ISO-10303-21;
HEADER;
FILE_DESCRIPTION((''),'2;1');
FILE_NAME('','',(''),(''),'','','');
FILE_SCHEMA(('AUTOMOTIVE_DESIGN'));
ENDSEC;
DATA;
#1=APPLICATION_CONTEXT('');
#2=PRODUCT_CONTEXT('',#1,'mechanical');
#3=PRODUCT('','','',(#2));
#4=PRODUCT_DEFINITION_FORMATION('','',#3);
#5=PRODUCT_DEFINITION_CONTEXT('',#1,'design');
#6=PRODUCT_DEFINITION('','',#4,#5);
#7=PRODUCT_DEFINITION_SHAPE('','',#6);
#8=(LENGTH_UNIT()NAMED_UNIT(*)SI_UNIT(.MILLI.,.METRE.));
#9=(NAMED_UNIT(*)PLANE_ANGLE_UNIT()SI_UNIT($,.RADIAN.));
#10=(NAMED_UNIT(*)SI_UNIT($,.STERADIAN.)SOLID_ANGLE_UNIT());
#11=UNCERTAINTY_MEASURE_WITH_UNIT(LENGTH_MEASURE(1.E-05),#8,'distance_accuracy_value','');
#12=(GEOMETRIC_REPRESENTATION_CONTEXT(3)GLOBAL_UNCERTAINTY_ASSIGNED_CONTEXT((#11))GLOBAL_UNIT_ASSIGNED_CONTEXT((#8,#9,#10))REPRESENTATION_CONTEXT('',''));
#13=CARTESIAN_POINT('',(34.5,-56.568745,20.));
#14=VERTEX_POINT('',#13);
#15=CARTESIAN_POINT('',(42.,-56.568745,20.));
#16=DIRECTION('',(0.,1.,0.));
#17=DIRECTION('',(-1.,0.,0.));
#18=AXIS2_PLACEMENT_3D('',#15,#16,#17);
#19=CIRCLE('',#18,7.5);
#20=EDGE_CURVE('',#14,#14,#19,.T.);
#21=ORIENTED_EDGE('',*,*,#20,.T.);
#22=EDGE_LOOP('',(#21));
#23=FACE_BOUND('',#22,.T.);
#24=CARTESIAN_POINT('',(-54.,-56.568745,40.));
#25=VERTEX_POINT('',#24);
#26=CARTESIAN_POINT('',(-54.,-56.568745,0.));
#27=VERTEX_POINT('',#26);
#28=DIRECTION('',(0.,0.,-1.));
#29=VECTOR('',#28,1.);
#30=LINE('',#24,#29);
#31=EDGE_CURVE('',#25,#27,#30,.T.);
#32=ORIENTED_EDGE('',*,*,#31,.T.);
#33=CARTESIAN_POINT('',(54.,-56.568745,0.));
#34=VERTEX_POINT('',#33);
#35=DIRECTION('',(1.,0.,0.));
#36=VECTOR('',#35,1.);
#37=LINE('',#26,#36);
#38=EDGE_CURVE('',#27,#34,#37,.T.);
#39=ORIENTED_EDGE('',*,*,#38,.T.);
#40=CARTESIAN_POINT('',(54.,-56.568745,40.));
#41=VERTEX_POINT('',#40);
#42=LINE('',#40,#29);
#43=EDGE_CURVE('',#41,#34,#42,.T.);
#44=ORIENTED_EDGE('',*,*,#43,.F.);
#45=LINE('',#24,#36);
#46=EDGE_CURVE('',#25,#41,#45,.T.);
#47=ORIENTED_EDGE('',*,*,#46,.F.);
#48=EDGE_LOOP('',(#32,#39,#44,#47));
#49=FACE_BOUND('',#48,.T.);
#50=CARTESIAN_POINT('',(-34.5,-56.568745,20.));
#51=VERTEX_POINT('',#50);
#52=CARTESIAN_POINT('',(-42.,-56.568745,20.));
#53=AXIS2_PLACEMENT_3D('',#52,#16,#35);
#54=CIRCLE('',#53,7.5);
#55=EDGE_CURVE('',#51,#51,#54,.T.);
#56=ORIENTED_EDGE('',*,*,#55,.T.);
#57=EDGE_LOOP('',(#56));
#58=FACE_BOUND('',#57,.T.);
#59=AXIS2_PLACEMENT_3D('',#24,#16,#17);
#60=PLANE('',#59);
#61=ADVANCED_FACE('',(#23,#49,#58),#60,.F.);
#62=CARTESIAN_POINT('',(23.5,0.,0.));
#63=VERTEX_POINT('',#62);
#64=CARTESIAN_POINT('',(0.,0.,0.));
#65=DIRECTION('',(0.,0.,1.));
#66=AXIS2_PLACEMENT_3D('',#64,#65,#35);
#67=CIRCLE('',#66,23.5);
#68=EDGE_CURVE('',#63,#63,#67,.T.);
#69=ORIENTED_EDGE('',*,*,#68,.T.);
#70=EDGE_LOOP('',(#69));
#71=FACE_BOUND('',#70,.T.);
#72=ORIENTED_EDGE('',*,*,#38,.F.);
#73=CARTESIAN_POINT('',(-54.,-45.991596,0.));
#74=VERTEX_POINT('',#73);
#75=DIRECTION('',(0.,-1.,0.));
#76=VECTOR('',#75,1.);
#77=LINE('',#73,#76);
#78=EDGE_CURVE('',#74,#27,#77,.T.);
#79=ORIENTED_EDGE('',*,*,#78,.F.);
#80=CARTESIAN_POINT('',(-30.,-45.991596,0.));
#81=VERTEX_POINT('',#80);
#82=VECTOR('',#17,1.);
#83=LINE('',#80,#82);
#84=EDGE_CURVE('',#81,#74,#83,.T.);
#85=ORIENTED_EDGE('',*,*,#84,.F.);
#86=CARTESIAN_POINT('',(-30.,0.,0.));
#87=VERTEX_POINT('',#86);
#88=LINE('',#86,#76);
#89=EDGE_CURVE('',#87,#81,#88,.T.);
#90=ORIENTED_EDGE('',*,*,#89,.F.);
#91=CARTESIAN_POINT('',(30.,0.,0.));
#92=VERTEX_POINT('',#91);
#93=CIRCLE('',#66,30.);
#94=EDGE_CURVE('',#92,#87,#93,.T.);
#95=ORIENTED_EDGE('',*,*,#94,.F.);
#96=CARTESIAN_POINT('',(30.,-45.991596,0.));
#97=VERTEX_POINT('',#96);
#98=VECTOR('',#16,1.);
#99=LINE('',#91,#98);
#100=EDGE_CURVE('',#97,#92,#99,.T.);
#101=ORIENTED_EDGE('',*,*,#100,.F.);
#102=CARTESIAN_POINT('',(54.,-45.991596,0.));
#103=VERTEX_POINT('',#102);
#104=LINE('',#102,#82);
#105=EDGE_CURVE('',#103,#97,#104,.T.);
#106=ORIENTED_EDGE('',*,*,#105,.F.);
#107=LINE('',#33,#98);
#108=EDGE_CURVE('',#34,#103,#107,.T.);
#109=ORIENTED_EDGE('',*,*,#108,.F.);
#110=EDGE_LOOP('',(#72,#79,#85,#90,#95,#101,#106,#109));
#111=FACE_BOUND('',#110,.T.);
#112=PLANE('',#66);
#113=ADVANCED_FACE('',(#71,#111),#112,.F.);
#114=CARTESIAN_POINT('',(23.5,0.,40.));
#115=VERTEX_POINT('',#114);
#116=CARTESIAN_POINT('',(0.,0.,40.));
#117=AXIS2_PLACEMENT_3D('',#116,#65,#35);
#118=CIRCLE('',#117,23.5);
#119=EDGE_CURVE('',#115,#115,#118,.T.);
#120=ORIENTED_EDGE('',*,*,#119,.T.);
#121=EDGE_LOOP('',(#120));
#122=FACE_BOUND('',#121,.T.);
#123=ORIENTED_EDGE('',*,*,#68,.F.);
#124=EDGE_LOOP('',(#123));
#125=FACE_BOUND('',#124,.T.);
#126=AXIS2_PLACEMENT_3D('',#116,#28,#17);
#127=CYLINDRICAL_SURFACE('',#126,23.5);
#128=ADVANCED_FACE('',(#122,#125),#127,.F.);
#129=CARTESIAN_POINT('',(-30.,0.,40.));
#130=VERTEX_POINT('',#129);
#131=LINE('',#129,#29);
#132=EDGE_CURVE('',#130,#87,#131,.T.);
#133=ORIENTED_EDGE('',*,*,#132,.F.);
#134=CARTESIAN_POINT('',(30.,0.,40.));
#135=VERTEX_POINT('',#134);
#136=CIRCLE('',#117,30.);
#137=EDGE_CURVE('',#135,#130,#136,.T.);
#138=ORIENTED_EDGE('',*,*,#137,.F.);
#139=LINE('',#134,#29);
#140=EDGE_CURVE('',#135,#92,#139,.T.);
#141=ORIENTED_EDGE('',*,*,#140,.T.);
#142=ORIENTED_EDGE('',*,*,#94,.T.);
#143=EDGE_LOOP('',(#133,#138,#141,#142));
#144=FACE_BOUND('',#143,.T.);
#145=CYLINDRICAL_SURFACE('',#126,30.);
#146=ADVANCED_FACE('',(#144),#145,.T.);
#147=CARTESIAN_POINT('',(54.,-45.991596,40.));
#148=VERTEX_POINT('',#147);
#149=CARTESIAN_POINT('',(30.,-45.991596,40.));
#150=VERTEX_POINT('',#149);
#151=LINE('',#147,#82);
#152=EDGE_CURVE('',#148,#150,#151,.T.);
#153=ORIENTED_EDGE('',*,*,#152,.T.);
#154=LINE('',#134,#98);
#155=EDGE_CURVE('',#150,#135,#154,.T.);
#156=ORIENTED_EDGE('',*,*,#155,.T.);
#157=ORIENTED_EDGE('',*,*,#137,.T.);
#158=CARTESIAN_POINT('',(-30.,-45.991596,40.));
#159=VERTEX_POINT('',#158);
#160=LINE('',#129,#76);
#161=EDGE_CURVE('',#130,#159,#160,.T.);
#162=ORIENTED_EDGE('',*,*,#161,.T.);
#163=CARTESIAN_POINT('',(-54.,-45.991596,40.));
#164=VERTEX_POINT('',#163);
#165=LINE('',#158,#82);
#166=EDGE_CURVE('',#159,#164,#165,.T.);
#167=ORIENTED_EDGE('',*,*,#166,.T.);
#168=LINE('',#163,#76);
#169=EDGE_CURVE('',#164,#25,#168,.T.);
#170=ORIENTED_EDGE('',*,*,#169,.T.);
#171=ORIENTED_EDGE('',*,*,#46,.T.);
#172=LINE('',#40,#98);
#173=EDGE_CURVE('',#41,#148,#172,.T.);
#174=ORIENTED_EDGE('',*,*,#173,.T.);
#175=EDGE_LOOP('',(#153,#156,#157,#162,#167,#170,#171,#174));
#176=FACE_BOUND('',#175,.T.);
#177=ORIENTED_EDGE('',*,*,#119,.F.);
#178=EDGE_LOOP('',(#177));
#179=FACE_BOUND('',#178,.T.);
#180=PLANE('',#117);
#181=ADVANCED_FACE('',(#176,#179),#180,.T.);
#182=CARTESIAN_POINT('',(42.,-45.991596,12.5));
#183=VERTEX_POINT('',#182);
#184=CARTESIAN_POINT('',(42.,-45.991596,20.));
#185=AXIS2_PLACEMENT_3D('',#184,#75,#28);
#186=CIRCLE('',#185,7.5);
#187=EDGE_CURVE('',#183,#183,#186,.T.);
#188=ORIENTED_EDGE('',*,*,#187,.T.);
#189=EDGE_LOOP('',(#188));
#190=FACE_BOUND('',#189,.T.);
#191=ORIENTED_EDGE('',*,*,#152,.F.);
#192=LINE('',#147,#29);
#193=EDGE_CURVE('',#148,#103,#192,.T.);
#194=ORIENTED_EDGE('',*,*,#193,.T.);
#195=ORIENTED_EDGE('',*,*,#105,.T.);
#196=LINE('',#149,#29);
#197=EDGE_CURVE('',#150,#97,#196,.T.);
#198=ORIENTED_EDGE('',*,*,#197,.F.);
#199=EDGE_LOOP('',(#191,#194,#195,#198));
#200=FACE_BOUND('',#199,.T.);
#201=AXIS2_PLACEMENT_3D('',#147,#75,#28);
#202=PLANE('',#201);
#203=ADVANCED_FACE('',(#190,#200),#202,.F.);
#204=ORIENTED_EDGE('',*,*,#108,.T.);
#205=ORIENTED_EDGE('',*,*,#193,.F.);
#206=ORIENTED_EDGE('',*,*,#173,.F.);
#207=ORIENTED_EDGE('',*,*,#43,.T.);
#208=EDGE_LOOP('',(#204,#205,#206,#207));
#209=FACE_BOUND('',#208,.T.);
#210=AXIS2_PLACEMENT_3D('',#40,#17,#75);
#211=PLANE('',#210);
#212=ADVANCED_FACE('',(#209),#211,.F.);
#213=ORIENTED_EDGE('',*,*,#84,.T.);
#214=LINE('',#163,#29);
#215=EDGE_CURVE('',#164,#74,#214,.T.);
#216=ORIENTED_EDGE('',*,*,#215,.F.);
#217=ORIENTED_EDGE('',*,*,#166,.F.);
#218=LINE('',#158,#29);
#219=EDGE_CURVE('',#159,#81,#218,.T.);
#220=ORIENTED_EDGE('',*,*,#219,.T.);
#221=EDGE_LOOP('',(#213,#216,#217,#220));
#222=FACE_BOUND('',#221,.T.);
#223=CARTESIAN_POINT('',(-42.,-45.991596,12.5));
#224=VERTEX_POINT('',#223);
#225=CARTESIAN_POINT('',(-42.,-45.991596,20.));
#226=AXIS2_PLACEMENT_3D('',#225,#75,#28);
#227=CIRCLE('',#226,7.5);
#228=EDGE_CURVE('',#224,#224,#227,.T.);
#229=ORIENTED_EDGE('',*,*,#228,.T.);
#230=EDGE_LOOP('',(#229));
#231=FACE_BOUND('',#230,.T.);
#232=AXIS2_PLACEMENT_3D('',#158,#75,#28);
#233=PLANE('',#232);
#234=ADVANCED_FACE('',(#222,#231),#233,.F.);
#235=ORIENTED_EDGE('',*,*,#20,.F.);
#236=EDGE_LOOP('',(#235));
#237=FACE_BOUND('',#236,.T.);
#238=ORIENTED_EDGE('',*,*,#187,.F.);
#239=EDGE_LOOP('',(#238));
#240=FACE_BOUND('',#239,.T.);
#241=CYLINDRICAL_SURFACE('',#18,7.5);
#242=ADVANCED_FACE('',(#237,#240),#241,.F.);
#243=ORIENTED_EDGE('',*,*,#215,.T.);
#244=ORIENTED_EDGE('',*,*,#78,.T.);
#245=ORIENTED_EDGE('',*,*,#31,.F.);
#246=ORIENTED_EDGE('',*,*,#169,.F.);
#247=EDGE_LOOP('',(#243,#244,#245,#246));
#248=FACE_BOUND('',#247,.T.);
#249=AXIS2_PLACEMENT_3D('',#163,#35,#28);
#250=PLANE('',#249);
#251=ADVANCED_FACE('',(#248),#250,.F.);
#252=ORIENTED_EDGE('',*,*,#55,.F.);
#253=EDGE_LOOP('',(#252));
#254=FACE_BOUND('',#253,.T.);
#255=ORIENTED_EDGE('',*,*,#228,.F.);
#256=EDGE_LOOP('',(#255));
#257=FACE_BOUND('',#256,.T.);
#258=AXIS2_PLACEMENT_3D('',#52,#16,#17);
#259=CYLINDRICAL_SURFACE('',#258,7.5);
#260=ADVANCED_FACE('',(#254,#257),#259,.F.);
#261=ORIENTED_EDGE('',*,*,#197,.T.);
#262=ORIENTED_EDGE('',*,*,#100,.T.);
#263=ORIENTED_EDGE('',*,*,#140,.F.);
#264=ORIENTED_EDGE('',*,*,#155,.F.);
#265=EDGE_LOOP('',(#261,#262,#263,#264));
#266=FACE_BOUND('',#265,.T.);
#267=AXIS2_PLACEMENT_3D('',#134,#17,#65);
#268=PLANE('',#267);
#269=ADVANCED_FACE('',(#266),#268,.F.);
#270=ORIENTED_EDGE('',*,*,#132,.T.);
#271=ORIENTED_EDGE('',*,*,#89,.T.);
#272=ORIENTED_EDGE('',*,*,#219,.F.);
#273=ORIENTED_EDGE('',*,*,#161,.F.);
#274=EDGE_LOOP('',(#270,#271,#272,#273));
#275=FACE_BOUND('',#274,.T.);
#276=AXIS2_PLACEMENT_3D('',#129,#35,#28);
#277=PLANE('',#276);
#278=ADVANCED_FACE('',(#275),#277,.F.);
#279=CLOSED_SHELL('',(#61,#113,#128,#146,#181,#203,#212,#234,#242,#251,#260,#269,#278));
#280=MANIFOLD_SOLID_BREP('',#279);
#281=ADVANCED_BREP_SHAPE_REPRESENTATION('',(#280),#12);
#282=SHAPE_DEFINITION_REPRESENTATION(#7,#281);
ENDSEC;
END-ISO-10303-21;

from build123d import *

# Parameters (mm, degrees)
SKETCH1_R               = 23.5
BOSS_EXTRUDE1_DEPTH     = 40
CUT_EXTRUDE1_DEPTH      = 102.443199391
CUT_EXTRUDE1_DEPTH_BACK = 102.443199391
SKETCH2_R               = 7.5


with BuildPart() as part:
    # Sketch1 → Boss-Extrude1 (new body)
    with BuildSketch(Plane.XY):
        with BuildLine():
            Line((-30, 0), (-30, -45.991596264))
            Line((-30, -45.991596264), (-54, -45.991596264))
            Line((-54, -45.991596264), (-54, -56.568744975))
            Line((-54, -56.568744975), (54, -56.568744975))
            Line((54, -56.568744975), (54, -45.991596264))
            Line((54, -45.991596264), (30, -45.991596264))
            Line((30, -45.991596264), (30, 0))
            ThreePointArc((30, 0), (0, 30), (-30, 0))
        make_face()
        Circle(SKETCH1_R, mode=Mode.SUBTRACT)
    extrude(amount=BOSS_EXTRUDE1_DEPTH)

    # Sketch2 → Cut-Extrude1 (cut, two sides: drawn at the far end of the back side and taken through both)
    with BuildSketch(Plane(origin=(0, -45.991596264, 0), x_dir=(1, 0, 0), z_dir=(0, 1, 0)).offset(-CUT_EXTRUDE1_DEPTH_BACK)):
        with Locations(Location((42, -20, 0), (0, 0, 180))):
            Circle(SKETCH2_R)
        with Locations(Location((-42, -20, 0), (0, 0, 90))):
            Circle(SKETCH2_R)
    extrude(amount=CUT_EXTRUDE1_DEPTH + CUT_EXTRUDE1_DEPTH_BACK, mode=Mode.SUBTRACT)


solid = part.part
